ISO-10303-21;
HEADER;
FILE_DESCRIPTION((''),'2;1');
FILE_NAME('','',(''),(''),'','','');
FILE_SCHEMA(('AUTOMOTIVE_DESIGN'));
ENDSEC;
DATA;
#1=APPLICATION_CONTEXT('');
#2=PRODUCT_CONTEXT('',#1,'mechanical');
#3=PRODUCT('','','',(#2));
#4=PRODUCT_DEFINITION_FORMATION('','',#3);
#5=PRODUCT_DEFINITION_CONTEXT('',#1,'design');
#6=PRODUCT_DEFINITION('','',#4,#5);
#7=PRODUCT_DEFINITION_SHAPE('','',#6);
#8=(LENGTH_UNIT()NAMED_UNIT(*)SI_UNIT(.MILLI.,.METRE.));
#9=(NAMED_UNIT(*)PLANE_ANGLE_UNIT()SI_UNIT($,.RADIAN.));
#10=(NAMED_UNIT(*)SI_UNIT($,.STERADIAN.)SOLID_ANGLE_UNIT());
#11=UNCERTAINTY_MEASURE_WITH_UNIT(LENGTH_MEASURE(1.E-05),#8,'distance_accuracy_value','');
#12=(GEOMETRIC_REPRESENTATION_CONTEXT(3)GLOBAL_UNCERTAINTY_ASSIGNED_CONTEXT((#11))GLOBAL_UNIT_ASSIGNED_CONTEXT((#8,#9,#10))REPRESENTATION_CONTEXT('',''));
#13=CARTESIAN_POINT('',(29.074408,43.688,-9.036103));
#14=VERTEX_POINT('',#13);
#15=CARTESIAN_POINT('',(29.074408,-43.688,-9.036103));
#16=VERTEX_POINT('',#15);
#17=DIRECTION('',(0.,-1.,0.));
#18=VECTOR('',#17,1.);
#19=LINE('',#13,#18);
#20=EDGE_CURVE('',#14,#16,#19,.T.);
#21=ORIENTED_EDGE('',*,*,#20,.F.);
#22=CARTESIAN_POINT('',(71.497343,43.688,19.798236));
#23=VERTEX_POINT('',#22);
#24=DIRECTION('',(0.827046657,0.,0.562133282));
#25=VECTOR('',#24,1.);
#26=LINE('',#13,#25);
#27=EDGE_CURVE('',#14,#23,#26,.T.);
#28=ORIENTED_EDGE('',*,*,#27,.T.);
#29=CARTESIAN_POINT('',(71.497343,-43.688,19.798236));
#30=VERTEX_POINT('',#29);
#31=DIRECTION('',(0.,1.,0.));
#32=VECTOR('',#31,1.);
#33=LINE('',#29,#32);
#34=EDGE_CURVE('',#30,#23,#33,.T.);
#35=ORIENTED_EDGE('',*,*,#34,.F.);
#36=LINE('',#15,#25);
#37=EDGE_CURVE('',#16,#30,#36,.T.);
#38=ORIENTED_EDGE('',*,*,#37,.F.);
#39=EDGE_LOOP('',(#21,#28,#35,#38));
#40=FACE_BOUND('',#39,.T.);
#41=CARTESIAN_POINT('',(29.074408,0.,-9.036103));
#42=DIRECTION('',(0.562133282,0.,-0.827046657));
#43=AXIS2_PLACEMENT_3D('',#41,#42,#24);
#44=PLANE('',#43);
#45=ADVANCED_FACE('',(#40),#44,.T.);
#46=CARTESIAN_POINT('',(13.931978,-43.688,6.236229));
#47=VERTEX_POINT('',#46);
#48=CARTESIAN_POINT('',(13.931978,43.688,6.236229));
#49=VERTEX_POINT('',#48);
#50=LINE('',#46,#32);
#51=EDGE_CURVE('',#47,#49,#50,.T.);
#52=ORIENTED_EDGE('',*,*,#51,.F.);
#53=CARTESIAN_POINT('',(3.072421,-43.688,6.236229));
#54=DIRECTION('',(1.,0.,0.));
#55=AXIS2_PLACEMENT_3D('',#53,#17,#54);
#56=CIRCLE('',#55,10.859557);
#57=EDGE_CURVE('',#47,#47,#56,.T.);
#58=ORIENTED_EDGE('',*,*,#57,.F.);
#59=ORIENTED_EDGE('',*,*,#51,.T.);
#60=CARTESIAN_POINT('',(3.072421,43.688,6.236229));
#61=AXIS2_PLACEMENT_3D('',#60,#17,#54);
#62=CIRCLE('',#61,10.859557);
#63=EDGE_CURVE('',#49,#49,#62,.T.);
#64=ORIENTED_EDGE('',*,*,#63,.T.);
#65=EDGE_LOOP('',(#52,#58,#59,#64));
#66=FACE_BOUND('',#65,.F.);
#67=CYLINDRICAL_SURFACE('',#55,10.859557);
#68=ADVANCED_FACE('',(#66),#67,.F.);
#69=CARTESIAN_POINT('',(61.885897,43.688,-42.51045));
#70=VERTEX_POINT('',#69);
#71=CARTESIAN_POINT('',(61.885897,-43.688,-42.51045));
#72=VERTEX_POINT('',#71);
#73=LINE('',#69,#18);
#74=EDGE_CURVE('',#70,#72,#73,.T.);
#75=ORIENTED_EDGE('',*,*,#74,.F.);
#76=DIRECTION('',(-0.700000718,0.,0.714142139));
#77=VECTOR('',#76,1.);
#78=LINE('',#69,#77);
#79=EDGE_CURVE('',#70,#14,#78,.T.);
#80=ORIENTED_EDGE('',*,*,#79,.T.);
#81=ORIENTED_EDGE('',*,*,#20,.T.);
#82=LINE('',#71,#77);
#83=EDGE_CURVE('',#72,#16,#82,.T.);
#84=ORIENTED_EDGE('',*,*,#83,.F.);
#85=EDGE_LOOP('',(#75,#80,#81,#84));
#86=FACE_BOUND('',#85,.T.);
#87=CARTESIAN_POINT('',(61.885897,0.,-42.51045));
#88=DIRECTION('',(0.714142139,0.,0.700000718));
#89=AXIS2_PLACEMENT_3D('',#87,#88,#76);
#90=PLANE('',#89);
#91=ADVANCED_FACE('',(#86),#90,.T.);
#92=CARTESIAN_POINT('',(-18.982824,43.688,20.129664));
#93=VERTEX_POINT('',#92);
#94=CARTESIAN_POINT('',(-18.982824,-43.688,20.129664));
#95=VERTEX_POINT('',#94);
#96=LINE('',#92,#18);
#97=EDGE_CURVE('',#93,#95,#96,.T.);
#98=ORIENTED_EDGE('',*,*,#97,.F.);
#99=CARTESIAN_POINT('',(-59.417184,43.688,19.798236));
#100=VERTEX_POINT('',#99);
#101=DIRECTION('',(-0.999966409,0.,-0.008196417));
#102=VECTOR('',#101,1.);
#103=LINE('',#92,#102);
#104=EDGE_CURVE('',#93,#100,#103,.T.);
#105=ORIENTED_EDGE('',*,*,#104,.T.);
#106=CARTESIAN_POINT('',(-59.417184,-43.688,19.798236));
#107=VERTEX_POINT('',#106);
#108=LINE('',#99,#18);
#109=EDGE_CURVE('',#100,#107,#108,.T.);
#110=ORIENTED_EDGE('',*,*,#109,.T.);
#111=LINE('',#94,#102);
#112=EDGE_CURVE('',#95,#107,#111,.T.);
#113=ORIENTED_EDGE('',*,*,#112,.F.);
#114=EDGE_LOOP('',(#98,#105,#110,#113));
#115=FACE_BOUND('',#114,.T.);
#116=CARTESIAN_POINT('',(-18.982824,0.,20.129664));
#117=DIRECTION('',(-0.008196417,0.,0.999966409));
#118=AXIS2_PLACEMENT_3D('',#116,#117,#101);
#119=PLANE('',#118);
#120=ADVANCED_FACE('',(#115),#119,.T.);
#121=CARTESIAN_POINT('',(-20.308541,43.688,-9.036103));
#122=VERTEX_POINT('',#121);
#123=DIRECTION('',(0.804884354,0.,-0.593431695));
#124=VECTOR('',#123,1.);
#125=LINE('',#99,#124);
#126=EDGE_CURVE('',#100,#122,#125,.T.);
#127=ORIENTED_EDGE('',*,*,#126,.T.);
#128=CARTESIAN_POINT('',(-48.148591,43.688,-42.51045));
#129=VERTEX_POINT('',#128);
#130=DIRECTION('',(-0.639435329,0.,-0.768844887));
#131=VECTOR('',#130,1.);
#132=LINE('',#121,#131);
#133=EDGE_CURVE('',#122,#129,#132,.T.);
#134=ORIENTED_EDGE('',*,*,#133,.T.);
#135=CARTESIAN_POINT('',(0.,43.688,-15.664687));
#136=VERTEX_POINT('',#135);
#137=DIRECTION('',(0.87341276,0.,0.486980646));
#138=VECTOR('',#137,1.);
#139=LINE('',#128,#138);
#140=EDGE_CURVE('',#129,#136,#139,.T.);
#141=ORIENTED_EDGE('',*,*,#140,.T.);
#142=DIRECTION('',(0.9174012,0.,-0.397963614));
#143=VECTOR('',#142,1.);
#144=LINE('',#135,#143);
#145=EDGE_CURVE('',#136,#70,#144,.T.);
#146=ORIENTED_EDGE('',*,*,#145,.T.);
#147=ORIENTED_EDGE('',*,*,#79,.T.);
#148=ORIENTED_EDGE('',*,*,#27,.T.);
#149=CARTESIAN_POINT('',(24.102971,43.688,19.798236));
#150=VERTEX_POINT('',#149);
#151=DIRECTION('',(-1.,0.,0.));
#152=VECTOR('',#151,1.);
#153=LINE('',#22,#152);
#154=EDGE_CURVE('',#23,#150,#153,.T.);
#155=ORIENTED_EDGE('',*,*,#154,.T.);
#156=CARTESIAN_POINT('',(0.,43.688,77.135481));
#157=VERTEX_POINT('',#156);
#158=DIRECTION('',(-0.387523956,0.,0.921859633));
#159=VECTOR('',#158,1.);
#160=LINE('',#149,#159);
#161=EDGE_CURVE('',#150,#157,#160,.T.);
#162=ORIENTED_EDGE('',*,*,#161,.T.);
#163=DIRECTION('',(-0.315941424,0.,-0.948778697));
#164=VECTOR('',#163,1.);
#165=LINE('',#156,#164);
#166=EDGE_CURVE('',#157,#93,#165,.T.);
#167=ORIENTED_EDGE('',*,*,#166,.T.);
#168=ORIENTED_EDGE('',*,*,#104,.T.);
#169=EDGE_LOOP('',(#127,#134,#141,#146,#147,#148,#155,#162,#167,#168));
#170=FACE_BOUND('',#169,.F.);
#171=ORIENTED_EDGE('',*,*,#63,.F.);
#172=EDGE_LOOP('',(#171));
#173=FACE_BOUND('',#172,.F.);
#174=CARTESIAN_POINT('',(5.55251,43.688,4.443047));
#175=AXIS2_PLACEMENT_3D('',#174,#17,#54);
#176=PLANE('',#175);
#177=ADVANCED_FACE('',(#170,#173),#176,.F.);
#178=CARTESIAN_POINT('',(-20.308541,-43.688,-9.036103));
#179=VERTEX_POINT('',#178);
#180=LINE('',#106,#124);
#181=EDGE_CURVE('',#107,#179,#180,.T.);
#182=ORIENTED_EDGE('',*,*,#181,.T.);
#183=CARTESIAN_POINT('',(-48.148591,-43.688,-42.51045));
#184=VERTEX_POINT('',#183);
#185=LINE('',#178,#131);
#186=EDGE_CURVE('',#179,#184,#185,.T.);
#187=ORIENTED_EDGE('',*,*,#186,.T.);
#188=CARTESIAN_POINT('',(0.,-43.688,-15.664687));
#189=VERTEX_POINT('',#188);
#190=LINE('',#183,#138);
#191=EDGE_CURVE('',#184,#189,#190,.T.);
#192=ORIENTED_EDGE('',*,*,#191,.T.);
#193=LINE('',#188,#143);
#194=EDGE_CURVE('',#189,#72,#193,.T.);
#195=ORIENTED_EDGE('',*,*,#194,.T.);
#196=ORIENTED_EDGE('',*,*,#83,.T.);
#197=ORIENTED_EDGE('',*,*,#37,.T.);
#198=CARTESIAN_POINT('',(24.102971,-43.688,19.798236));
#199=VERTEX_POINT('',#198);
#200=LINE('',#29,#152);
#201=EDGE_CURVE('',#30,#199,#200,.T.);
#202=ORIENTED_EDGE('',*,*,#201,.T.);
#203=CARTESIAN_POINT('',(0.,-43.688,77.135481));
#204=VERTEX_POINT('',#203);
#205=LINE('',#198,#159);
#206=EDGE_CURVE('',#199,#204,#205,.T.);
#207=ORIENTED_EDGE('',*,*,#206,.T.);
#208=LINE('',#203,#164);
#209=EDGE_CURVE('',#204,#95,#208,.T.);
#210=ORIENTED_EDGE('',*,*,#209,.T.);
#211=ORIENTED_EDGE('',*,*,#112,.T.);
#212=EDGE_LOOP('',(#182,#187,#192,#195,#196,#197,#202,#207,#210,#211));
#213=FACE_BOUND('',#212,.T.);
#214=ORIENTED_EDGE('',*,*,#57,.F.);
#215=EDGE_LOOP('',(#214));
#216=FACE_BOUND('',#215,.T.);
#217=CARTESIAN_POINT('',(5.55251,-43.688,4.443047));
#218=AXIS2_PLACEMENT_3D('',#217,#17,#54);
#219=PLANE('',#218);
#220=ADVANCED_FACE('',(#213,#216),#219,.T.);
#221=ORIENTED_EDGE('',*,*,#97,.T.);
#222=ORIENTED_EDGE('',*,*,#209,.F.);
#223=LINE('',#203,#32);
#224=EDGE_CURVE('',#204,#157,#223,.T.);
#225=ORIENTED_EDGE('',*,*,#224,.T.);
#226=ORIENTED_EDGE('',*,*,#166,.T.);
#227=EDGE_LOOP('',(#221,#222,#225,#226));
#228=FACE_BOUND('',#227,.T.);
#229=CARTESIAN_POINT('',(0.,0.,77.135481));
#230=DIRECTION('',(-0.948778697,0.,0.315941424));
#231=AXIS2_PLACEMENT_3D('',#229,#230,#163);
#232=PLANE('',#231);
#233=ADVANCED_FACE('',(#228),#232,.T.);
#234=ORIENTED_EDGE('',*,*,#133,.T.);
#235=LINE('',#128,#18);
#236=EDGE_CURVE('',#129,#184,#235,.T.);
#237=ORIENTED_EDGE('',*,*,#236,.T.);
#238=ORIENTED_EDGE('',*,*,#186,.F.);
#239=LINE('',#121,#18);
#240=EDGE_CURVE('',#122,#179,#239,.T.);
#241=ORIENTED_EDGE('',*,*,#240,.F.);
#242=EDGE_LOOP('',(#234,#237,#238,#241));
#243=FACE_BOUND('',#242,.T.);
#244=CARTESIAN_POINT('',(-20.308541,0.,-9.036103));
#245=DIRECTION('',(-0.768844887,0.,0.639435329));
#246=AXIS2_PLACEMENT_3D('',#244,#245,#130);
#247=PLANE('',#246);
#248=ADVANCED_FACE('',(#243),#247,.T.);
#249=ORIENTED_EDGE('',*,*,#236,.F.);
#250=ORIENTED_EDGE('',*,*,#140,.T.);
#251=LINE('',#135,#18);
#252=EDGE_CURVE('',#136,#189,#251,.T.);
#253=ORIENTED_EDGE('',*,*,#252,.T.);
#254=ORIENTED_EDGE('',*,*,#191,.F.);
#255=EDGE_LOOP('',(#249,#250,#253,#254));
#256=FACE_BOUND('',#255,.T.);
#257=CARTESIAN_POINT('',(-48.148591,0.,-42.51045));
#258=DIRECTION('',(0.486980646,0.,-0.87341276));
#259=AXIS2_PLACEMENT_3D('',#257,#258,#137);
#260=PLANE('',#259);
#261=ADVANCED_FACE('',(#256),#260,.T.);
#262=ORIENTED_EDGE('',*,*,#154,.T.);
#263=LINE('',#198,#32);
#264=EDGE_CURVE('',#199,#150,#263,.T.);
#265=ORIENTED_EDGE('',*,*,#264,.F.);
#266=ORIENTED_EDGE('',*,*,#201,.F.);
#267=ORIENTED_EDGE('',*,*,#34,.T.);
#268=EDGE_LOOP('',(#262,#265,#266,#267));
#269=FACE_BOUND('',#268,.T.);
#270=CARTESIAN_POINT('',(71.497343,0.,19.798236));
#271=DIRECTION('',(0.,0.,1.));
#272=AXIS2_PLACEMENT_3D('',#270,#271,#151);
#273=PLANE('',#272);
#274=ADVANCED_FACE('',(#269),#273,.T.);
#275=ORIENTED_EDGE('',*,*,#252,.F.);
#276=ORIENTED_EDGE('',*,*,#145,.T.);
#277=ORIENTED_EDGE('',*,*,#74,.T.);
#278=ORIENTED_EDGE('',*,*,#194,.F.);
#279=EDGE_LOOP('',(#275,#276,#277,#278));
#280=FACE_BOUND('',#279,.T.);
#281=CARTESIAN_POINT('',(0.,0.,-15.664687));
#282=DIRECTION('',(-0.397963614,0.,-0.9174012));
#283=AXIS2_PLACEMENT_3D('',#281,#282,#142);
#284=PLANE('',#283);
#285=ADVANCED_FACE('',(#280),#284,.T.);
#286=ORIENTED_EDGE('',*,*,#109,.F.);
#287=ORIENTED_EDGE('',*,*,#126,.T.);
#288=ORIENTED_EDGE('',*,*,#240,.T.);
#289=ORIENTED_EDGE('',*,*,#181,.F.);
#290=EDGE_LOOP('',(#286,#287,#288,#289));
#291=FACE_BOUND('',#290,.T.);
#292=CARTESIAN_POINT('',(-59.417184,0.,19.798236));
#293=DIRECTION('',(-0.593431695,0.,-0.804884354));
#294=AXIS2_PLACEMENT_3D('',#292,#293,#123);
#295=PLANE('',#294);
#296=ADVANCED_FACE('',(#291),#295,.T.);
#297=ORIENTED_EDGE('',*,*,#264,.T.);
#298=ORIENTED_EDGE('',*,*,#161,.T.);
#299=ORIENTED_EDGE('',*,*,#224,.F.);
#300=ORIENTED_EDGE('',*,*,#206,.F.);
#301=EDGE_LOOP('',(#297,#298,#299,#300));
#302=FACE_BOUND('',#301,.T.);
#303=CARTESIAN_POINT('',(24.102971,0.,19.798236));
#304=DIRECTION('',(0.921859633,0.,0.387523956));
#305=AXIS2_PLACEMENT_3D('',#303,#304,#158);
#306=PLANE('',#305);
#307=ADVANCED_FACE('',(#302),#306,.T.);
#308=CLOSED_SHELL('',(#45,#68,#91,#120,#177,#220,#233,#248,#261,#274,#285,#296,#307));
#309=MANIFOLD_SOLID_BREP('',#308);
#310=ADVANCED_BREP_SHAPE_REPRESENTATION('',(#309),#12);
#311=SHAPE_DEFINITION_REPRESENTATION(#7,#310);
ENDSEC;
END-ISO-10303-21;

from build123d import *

# Parameters (mm, degrees)
F1_DEPTH = 43.688
F2_R     = 10.859557
F3_DEPTH = 87.377


with BuildPart() as f1:
    # F0 (on Front) → F1 (new body, symmetric)
    with BuildSketch(Plane.XZ):
        Polygon((0, 77.135481), (-18.982824, 20.129664), (-59.417184, 19.798236), (-20.308541, -9.036103), (-48.148591, -42.51045), (0, -15.664687), (61.885897, -42.51045), (29.074408, -9.036103), (71.497343, 19.798236), (24.102971, 19.798236), align=None)
    extrude(amount=F1_DEPTH, both=True)

    # F2 (on face) → F3 (cut, through all)
    with BuildSketch(Plane.XZ.offset(43.688)):
        with Locations((3.072421, 6.236229)):
            Circle(F2_R)
    extrude(amount=-F3_DEPTH, mode=Mode.SUBTRACT)


solid = f1.part
